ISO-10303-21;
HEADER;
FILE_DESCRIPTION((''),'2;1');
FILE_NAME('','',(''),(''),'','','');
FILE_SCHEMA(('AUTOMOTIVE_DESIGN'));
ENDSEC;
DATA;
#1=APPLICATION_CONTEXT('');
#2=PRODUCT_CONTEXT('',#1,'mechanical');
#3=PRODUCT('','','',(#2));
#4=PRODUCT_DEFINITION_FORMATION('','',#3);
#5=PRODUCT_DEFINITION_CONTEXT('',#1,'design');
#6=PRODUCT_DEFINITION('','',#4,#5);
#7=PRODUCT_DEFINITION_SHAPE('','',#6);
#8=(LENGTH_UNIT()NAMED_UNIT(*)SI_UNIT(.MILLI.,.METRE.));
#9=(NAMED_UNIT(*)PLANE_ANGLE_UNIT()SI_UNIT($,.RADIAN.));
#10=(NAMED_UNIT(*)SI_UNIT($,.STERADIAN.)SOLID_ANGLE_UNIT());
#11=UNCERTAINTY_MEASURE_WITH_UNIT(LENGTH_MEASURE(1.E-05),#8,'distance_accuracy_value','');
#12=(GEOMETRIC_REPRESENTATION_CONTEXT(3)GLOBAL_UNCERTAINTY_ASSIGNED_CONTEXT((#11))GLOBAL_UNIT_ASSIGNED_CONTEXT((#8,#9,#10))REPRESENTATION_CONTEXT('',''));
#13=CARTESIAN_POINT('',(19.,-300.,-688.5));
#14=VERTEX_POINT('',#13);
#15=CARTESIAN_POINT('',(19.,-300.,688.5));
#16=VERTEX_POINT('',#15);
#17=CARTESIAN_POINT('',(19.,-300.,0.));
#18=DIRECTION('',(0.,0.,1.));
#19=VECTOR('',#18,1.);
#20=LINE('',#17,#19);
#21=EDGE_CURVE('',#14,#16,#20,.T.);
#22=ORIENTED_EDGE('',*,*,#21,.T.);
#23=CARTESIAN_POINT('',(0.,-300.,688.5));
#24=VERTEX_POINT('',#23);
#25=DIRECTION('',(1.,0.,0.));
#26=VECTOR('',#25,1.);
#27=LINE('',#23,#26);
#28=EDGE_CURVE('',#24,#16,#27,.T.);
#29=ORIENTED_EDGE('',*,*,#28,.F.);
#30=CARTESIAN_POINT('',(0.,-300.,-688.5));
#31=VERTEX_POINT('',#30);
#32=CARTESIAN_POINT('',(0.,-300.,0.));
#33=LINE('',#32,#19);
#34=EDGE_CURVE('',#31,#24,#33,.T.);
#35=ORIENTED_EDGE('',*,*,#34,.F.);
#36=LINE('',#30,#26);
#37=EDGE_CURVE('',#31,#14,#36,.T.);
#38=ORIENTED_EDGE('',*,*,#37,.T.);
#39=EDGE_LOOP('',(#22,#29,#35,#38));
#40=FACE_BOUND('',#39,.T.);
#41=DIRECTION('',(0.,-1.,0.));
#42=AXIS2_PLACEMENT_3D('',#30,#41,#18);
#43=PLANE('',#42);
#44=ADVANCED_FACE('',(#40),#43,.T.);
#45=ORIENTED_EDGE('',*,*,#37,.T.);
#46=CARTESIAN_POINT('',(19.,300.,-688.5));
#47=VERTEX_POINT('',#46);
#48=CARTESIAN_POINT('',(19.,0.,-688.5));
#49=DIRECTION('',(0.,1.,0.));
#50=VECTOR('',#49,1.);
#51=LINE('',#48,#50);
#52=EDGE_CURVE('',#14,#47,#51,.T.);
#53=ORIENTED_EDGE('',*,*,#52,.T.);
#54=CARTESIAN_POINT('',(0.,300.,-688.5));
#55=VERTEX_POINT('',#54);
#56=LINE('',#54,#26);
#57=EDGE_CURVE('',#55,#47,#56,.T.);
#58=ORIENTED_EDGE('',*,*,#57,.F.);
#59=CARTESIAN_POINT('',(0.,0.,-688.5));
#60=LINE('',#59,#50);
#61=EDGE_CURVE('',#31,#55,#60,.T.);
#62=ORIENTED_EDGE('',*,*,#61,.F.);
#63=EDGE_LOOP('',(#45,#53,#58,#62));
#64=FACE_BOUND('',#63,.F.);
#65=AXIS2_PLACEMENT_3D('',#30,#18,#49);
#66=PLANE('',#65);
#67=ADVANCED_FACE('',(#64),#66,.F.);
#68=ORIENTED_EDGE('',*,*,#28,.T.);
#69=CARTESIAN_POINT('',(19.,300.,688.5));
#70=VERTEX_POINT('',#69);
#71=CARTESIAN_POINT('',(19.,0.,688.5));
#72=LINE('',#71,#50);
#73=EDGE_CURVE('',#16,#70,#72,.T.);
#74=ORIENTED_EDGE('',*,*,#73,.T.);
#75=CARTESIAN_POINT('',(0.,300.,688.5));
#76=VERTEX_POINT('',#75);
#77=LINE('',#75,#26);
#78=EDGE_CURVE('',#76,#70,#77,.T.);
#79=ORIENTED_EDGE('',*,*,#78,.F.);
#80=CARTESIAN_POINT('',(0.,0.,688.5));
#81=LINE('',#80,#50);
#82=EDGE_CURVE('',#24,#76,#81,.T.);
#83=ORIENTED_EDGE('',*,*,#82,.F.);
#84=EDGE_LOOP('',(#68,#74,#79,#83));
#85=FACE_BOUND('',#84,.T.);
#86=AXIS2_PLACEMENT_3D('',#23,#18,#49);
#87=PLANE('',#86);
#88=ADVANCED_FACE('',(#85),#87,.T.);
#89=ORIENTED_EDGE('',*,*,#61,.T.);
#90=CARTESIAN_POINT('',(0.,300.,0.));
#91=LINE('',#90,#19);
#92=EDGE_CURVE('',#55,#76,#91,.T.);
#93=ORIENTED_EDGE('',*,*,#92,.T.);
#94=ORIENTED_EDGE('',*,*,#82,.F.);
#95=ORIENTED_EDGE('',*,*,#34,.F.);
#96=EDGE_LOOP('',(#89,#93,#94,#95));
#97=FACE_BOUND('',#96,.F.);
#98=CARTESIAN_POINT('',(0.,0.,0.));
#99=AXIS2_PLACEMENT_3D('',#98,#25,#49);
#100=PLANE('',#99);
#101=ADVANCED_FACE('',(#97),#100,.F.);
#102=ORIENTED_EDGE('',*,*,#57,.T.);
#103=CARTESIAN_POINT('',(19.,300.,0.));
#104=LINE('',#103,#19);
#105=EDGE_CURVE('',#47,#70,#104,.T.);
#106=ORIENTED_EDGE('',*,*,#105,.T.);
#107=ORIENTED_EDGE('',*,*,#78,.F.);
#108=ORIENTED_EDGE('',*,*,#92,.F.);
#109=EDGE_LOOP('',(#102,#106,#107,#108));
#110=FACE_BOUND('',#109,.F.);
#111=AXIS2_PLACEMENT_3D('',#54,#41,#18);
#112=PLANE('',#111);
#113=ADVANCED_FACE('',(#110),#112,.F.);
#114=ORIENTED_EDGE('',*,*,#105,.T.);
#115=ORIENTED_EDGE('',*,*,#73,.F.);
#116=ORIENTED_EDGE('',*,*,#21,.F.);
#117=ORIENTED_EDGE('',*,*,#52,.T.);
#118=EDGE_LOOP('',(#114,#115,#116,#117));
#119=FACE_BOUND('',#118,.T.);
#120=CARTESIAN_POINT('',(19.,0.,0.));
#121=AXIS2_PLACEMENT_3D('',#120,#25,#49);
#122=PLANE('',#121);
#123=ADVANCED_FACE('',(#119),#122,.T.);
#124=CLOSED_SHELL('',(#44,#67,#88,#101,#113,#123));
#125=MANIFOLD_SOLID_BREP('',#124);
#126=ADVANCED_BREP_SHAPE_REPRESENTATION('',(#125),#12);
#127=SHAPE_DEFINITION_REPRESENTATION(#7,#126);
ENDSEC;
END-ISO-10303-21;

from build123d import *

# Parameters (mm, degrees)
SKETCH001_W  = 600
SKETCH001_H  = 1377
PAD001_DEPTH = 19


with BuildPart() as part:
    # Sketch001 → Pad001 (new body)
    with BuildSketch(Plane.YZ):
        Rectangle(SKETCH001_W, SKETCH001_H)
    extrude(amount=PAD001_DEPTH)


solid = part.part
